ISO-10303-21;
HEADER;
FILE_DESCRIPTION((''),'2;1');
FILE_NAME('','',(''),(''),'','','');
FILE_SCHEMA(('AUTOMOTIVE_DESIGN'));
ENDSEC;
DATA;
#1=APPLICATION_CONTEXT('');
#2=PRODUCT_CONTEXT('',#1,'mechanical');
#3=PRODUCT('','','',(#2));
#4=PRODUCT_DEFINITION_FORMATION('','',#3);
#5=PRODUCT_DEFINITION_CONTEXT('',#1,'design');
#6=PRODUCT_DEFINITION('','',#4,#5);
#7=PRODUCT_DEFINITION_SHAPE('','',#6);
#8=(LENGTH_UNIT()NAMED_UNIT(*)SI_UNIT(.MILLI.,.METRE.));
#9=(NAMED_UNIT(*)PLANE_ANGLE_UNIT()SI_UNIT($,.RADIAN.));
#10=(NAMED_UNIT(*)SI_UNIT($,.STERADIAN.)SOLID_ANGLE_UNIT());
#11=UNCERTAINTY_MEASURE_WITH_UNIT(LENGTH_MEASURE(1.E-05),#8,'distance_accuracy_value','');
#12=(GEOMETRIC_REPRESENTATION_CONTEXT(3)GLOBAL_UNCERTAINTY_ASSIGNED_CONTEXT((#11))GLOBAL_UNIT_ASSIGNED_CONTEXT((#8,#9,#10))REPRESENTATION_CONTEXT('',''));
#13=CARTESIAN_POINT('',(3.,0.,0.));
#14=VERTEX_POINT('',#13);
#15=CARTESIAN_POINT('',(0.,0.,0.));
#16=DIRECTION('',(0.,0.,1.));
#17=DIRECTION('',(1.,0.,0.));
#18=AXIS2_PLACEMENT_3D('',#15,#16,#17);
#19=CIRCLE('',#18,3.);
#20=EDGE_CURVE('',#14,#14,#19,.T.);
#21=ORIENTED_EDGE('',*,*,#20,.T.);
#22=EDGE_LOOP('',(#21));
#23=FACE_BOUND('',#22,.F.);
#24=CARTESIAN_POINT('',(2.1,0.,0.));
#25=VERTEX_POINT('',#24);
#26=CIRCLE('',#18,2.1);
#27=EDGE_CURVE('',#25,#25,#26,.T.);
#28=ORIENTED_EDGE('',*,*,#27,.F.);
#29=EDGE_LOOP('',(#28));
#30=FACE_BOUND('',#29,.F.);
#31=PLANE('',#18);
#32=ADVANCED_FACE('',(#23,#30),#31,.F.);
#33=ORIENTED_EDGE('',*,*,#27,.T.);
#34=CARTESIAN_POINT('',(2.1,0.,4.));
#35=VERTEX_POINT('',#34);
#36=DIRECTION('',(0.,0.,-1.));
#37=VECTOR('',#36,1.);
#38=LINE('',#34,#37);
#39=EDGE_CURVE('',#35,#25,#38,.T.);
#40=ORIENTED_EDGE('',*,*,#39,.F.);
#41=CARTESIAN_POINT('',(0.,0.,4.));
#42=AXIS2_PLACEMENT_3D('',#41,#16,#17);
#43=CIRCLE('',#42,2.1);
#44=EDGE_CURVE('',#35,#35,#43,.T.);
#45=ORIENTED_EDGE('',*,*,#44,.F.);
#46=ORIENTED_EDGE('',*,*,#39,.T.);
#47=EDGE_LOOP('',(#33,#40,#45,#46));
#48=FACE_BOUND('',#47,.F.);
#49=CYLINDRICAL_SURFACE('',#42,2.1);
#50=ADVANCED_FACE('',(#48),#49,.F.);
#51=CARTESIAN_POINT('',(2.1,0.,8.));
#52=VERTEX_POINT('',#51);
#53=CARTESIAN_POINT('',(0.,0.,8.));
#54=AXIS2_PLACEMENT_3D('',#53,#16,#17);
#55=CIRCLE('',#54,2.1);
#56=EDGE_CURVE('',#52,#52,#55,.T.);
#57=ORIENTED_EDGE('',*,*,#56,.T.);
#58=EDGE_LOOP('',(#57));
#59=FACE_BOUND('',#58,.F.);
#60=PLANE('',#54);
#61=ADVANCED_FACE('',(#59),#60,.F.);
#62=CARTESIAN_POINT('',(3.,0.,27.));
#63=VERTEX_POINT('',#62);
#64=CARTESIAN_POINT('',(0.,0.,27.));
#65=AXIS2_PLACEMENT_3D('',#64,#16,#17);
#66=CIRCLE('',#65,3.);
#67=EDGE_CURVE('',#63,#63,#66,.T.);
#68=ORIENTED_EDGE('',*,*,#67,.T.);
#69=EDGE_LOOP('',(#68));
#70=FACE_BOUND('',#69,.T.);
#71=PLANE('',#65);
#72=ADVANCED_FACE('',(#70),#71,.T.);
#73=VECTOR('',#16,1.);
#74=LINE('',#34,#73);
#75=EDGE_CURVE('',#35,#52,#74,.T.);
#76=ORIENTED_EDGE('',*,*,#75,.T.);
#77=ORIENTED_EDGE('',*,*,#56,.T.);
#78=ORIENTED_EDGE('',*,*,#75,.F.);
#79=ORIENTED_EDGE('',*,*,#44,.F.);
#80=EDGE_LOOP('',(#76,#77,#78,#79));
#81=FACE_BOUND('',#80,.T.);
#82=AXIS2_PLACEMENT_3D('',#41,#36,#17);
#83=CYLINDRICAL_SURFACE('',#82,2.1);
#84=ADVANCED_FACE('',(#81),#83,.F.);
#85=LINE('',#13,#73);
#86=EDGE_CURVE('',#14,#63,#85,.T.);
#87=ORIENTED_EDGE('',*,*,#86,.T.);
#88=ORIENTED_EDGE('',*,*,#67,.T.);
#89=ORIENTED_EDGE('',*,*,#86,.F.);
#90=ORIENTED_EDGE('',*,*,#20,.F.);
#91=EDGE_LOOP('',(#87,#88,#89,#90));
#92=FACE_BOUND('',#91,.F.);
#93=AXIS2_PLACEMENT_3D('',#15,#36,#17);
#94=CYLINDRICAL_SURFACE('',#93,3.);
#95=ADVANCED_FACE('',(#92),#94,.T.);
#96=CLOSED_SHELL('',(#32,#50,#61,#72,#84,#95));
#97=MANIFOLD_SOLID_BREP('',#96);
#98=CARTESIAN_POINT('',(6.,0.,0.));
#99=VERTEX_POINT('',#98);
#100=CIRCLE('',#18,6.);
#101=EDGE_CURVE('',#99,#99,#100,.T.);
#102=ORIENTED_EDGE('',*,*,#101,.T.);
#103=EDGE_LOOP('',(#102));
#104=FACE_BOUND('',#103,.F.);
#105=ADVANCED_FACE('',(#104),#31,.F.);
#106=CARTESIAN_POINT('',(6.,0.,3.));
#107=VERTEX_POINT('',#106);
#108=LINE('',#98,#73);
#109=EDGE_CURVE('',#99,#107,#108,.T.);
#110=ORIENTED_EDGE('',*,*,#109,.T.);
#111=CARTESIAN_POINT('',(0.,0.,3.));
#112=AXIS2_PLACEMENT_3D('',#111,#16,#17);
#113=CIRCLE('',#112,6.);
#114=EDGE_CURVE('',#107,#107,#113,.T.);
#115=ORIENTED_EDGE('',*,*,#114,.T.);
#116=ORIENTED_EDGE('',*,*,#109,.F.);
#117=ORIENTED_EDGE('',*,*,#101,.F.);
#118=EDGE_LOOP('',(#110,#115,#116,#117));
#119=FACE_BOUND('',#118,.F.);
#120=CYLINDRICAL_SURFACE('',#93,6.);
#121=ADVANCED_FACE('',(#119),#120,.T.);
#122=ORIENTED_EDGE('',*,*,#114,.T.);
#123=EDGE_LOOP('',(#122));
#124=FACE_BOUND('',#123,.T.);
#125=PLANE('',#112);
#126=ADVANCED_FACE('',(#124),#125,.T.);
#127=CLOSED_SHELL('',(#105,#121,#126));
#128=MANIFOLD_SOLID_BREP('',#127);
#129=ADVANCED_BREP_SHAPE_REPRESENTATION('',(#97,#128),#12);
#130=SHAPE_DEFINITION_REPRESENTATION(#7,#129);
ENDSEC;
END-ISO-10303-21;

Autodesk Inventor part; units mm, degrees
ref_plane "YZ Plane" through (0, 0, 0) normal (1, 0, 0) x (0, 1, 0)
ref_plane "XZ Plane" through (0, 0, 0) normal (0, 1, 0) x (-1, 0, 0)
sketch "Skizze1" plane through (0, 0, 0) normal (0, 0, 1) x (1, 0, 0)
  circle A0 centre (0, 0) radius 3
extrude "Extrusion1" add sketch "Skizze1" along normal blind 27
sketch "Skizze2" plane through (0, 0, 0) normal (0, 0, 1) x (1, 0, 0)
  circle A0 centre (0, 0) radius 6
extrude "Extrusion2" add sketch "Skizze2" along normal blind 3 separate body
ref_plane "Arbeitsebene1" through (0, 0, 4) normal (0, 0, 1) x (1, 0, 0)
sketch "Skizze3" plane through (0, 0, 4) normal (0, 0, 1) x (1, 0, 0)
  circle A0 centre (0, 0) radius 2.1
extrude "Extrusion3" cut sketch "Skizze3" along normal mid plane 8 bodies 1
properties part number "Taststift"
